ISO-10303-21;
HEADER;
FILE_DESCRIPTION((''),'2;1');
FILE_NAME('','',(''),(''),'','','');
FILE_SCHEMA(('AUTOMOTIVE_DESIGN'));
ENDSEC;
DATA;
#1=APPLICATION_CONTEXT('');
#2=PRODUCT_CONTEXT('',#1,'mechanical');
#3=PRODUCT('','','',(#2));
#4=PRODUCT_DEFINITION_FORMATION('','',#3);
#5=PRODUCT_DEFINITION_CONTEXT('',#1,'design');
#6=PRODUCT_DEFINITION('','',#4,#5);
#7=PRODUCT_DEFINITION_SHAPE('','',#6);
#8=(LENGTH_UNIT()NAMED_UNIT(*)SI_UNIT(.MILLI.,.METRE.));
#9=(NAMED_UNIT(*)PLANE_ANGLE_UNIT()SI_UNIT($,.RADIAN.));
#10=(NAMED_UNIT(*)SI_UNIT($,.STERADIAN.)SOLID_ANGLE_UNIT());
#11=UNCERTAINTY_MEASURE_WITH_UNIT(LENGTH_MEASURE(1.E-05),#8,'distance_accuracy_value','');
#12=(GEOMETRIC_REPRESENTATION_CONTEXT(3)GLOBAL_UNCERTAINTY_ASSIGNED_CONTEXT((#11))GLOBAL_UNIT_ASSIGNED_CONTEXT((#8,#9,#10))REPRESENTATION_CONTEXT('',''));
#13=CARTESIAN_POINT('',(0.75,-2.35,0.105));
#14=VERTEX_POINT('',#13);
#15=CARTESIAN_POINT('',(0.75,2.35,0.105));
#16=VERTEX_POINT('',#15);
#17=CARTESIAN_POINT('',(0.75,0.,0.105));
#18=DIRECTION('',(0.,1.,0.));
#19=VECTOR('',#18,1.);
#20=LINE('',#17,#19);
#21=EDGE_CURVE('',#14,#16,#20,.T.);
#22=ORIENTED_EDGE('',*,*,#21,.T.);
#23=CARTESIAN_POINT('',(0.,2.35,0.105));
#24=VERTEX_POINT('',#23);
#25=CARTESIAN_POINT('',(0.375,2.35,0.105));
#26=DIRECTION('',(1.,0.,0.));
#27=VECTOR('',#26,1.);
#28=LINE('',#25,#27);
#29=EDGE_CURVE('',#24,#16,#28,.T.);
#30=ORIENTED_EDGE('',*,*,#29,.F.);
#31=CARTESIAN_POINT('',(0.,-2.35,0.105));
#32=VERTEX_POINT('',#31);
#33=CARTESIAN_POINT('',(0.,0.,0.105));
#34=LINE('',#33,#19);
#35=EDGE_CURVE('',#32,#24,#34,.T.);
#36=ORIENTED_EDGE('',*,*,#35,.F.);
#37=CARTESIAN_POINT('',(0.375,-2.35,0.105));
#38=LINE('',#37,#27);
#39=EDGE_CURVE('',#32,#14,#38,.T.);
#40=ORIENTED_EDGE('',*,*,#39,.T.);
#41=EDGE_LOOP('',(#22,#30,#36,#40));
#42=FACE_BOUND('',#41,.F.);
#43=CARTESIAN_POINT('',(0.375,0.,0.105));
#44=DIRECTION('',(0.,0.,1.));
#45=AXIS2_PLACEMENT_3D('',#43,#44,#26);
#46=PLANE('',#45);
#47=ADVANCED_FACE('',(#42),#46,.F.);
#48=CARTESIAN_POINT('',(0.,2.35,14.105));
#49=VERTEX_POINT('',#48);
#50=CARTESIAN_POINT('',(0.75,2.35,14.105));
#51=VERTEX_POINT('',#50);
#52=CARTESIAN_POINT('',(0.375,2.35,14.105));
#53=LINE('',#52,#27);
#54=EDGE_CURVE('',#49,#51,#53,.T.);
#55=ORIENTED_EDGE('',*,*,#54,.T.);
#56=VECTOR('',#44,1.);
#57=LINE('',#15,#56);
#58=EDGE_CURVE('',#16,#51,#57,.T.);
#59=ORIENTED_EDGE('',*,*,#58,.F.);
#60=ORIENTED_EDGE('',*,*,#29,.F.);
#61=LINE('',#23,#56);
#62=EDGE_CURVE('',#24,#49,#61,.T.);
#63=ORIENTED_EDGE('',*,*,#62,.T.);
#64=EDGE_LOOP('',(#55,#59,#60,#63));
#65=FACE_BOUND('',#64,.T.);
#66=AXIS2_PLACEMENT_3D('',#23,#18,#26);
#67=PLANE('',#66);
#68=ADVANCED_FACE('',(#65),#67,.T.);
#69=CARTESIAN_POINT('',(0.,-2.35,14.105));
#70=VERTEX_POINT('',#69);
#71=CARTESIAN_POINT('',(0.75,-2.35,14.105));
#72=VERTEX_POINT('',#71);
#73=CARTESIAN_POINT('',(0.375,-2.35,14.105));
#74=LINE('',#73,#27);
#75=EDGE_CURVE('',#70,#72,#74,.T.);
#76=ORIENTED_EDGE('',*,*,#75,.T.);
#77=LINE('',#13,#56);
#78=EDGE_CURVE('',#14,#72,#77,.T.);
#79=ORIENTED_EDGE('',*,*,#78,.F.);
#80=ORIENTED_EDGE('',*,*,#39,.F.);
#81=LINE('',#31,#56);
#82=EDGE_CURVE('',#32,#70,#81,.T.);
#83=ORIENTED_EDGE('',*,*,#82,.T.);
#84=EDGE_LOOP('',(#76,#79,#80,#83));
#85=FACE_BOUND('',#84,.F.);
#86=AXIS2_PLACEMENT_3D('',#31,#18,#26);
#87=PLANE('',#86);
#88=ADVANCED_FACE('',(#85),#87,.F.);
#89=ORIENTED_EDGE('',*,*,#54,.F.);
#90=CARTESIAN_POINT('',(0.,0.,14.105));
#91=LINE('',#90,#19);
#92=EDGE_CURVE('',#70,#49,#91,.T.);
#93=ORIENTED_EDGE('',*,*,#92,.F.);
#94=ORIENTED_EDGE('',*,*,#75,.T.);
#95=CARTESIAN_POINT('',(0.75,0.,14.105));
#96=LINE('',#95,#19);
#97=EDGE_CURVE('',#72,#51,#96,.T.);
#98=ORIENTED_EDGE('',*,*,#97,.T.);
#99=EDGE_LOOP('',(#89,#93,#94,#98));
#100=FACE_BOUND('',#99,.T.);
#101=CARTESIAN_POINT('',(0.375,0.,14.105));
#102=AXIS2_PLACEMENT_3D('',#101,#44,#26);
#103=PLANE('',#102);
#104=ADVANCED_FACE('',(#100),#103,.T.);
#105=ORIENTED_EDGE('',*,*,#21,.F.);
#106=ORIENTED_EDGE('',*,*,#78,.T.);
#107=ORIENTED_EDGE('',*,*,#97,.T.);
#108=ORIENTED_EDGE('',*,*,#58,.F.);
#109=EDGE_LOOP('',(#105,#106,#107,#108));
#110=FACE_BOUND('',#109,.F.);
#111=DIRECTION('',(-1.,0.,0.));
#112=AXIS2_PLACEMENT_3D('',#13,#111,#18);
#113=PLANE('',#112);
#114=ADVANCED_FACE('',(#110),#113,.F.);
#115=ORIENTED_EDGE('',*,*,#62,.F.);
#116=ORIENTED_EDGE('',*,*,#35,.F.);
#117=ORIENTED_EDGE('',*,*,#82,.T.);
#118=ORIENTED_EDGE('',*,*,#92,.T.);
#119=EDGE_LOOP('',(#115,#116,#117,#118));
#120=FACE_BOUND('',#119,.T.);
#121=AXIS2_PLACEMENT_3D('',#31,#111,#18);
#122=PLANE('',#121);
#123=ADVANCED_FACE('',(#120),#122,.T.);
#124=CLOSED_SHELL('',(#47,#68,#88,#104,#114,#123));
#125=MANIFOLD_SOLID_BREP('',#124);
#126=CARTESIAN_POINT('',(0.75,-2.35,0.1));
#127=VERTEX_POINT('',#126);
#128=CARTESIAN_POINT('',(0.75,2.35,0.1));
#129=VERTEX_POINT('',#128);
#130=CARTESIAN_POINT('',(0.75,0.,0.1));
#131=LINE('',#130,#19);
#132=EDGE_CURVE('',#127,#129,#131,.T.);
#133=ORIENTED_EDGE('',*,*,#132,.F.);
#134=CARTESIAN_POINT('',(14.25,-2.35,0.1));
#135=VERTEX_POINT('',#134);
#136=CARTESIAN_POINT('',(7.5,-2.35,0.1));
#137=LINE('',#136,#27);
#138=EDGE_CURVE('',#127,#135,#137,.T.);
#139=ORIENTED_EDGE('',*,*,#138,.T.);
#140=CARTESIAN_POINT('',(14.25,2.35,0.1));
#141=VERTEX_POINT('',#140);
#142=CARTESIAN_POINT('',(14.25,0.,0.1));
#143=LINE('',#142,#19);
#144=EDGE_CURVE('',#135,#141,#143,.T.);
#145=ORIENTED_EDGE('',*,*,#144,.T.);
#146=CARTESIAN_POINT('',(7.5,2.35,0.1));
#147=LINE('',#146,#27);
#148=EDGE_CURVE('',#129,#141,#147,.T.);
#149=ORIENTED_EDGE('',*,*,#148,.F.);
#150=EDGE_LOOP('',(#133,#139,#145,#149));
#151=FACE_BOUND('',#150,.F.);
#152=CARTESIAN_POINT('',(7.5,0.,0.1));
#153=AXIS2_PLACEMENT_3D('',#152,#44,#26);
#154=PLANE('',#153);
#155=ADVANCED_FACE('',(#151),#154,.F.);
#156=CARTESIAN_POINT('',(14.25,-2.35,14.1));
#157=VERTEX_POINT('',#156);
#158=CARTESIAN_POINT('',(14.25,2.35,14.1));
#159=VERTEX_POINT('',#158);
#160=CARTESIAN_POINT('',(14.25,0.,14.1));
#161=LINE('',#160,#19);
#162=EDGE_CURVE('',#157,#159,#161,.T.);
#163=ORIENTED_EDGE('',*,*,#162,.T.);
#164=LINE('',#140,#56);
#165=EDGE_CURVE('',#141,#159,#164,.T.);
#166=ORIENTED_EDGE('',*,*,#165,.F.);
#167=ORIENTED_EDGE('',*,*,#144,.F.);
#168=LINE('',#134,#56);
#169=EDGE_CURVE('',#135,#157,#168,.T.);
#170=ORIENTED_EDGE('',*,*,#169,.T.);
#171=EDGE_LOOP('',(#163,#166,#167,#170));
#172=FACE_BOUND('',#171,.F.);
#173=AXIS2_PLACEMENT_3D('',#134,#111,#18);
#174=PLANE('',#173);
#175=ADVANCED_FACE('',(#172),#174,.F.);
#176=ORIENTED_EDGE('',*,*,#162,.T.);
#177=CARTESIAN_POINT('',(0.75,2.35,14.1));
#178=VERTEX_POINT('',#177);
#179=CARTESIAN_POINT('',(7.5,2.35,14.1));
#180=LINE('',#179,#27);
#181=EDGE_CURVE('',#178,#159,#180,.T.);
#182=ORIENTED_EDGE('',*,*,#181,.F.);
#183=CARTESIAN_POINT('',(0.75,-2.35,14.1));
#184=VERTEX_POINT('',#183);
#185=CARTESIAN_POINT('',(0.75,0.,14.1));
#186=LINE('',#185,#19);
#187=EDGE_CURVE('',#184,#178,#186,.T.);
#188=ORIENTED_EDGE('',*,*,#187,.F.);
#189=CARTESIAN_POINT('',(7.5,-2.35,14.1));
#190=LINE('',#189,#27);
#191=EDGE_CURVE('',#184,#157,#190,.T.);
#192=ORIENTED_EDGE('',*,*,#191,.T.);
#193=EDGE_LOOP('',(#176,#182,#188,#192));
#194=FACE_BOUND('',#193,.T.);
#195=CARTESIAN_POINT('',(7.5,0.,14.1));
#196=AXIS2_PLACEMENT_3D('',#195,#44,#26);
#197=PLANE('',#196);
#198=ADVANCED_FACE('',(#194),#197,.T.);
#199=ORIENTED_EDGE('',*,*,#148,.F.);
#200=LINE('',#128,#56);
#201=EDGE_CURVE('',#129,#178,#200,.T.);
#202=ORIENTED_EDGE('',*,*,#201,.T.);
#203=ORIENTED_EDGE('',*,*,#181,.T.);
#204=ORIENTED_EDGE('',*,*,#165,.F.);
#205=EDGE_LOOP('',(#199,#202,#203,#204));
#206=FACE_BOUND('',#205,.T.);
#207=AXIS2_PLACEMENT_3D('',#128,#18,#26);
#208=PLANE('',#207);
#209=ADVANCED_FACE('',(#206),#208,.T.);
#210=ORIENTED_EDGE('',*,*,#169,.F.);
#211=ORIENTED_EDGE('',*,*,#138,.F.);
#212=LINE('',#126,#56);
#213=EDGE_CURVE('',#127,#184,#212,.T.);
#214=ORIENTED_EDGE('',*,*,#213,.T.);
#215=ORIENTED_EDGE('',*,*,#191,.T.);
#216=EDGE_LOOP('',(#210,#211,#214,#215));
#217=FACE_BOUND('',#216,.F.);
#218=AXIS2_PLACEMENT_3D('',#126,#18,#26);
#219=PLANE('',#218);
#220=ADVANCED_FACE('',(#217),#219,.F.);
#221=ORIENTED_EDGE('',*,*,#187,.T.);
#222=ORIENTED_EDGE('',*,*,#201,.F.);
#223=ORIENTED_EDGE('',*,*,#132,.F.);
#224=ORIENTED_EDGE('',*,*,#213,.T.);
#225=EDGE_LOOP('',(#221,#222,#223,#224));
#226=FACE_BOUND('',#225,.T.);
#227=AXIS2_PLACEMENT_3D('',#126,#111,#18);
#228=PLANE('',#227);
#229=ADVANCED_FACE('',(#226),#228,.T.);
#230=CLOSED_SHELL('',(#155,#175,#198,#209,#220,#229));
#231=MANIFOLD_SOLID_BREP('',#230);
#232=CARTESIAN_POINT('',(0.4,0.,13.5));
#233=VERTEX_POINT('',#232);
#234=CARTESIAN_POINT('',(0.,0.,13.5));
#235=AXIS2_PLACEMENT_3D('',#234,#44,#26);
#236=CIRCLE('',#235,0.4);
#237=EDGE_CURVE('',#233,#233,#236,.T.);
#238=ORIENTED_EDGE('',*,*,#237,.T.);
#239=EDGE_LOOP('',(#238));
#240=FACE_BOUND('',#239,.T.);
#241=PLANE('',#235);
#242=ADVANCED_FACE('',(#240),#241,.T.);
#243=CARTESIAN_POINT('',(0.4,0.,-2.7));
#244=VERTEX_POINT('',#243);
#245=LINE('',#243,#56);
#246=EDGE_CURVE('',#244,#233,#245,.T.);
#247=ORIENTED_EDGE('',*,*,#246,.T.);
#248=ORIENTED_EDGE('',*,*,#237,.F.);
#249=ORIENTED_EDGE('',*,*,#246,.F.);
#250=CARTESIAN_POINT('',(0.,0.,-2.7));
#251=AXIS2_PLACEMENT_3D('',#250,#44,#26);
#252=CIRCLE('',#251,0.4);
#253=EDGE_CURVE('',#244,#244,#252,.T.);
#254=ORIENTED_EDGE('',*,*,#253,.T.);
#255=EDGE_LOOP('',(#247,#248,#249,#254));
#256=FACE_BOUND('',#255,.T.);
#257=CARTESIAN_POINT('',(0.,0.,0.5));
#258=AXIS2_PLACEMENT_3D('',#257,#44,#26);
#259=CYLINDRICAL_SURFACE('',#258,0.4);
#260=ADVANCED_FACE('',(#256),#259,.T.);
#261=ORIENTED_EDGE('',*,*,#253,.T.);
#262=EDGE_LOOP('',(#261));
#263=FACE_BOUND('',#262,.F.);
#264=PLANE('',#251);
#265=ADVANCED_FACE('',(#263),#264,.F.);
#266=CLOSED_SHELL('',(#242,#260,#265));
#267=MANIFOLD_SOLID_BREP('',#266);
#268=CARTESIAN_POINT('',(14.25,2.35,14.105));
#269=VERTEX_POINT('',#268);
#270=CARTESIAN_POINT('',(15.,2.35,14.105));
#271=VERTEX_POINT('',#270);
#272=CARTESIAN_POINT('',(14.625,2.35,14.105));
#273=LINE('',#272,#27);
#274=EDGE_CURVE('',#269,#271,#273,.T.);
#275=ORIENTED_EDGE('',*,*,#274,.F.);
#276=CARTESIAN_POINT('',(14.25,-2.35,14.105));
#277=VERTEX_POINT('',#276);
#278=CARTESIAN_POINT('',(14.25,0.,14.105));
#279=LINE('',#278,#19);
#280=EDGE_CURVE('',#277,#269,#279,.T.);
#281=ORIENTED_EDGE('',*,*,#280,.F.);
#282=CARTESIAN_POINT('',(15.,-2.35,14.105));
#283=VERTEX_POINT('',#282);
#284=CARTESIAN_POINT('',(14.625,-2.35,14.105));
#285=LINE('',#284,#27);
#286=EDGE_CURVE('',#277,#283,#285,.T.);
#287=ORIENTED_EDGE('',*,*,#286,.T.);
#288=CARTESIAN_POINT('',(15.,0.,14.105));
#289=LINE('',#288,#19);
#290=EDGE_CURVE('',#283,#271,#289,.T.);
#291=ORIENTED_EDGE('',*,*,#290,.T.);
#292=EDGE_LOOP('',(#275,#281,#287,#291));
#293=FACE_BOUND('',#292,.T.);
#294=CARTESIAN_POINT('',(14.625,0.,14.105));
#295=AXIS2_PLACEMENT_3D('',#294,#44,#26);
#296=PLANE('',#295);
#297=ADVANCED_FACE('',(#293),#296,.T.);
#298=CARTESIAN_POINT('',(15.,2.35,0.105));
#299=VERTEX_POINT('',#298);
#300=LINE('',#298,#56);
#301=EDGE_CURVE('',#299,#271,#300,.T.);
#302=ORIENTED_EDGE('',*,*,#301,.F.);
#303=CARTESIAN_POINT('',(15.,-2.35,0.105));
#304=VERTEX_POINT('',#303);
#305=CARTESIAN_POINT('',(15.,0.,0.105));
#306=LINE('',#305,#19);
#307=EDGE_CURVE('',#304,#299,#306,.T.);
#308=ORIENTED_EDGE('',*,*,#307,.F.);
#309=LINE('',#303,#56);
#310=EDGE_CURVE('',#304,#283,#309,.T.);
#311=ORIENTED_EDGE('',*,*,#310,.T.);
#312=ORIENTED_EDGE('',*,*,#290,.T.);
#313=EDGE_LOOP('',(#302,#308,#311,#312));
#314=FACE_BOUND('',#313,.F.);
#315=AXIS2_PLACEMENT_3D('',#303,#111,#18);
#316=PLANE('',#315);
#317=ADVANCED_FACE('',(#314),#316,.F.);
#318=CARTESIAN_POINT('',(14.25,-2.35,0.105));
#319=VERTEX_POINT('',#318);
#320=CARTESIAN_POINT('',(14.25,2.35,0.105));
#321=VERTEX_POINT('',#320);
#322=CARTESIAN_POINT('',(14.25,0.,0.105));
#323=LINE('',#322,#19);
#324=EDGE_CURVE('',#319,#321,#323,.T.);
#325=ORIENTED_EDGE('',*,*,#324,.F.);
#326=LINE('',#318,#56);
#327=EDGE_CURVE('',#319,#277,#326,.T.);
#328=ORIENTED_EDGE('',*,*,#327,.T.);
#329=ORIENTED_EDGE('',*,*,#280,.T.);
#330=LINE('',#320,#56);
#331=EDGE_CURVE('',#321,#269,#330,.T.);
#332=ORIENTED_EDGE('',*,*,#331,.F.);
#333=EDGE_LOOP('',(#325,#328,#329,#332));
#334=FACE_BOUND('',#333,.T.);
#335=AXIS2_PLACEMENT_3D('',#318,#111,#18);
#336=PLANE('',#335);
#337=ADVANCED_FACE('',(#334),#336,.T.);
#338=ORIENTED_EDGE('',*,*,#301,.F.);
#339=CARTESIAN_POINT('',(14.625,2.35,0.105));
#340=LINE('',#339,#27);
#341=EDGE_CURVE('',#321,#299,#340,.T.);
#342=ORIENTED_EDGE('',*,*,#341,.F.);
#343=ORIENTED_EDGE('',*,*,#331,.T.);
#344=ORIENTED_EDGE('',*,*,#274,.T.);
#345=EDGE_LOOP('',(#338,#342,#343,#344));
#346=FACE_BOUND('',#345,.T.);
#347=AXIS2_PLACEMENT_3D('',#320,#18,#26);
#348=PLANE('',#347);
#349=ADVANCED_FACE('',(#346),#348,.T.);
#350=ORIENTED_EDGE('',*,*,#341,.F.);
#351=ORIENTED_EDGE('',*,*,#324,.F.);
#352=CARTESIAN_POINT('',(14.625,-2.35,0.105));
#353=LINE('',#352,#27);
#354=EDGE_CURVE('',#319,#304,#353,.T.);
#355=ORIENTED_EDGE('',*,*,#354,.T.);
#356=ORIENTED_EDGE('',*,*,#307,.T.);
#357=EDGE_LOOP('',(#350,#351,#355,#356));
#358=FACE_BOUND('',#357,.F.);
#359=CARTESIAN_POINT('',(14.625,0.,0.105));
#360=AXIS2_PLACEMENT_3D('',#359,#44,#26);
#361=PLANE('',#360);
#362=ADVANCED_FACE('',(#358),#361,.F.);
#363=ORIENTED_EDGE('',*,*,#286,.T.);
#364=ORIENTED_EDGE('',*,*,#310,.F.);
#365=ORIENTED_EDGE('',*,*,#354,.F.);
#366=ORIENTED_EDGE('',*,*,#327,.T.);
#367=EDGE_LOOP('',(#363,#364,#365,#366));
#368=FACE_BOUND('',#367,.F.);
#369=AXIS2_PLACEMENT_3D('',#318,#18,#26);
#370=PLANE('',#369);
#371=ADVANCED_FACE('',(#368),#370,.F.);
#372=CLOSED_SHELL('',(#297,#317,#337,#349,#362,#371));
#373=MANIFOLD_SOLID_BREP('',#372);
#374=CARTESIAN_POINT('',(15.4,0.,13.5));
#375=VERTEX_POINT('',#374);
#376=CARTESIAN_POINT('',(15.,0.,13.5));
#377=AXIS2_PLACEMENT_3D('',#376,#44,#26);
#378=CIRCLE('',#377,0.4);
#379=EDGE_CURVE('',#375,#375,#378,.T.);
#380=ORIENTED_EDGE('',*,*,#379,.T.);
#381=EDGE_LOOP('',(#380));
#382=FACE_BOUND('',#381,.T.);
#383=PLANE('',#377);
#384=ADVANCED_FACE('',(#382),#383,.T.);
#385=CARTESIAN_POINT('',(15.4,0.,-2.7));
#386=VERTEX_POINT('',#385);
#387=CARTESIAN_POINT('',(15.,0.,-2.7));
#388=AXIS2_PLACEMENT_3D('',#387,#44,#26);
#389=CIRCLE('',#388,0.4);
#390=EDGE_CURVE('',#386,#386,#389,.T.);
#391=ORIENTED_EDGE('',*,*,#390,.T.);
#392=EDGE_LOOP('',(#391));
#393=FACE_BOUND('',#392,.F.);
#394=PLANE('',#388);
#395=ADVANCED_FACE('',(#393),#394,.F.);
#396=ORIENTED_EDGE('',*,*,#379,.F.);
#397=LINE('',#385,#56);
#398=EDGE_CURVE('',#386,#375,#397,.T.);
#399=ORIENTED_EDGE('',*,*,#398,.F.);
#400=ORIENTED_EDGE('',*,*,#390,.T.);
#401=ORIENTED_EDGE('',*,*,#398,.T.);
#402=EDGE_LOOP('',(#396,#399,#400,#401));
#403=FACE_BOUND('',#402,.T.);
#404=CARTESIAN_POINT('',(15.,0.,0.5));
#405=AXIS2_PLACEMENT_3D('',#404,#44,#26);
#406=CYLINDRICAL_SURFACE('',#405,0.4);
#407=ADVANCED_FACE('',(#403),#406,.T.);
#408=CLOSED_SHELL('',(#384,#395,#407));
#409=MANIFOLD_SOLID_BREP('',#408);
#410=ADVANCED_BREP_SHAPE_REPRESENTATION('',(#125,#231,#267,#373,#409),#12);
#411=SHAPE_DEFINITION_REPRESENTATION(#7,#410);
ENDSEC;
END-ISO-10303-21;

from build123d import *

# Parameters (mm, degrees)
SKETCH_W          = 13.5
SKETCH_H          = 4.7
PAD_DEPTH         = 14
SKETCH001_R       = 0.4
PAD001_DEPTH      = 13
PAD001_DEPTH_BACK = 3.2
SKETCH002_W       = 0.75
SKETCH002_H       = 4.7
PAD002_DEPTH      = 14


with BuildPart() as pad:
    # Sketch → Pad (new body)
    with BuildSketch(Plane.XY.offset(0.1)):
        with Locations((7.5, 0)):
            Rectangle(SKETCH_W, SKETCH_H)
    extrude(amount=PAD_DEPTH)


with BuildPart() as pad001:
    # Sketch001 → Pad001 (new body, two sides)
    with BuildSketch(Plane.XY.offset(0.5)) as pad001_sk:
        Circle(SKETCH001_R)
        with Locations((15, 0)):
            Circle(SKETCH001_R)
    extrude(amount=PAD001_DEPTH)
    extrude(pad001_sk.sketch, amount=-PAD001_DEPTH_BACK)


with BuildPart() as pad002:
    # Sketch002 → Pad002 (new body)
    with BuildSketch(Plane.XY.offset(0.105)):
        with Locations((0.375, 0)):
            Rectangle(SKETCH002_W, SKETCH002_H)
        with Locations((14.625, 0)):
            Rectangle(SKETCH002_W, SKETCH002_H)
    extrude(amount=PAD002_DEPTH)


solid = Compound([pad.part, pad001.part, pad002.part])
